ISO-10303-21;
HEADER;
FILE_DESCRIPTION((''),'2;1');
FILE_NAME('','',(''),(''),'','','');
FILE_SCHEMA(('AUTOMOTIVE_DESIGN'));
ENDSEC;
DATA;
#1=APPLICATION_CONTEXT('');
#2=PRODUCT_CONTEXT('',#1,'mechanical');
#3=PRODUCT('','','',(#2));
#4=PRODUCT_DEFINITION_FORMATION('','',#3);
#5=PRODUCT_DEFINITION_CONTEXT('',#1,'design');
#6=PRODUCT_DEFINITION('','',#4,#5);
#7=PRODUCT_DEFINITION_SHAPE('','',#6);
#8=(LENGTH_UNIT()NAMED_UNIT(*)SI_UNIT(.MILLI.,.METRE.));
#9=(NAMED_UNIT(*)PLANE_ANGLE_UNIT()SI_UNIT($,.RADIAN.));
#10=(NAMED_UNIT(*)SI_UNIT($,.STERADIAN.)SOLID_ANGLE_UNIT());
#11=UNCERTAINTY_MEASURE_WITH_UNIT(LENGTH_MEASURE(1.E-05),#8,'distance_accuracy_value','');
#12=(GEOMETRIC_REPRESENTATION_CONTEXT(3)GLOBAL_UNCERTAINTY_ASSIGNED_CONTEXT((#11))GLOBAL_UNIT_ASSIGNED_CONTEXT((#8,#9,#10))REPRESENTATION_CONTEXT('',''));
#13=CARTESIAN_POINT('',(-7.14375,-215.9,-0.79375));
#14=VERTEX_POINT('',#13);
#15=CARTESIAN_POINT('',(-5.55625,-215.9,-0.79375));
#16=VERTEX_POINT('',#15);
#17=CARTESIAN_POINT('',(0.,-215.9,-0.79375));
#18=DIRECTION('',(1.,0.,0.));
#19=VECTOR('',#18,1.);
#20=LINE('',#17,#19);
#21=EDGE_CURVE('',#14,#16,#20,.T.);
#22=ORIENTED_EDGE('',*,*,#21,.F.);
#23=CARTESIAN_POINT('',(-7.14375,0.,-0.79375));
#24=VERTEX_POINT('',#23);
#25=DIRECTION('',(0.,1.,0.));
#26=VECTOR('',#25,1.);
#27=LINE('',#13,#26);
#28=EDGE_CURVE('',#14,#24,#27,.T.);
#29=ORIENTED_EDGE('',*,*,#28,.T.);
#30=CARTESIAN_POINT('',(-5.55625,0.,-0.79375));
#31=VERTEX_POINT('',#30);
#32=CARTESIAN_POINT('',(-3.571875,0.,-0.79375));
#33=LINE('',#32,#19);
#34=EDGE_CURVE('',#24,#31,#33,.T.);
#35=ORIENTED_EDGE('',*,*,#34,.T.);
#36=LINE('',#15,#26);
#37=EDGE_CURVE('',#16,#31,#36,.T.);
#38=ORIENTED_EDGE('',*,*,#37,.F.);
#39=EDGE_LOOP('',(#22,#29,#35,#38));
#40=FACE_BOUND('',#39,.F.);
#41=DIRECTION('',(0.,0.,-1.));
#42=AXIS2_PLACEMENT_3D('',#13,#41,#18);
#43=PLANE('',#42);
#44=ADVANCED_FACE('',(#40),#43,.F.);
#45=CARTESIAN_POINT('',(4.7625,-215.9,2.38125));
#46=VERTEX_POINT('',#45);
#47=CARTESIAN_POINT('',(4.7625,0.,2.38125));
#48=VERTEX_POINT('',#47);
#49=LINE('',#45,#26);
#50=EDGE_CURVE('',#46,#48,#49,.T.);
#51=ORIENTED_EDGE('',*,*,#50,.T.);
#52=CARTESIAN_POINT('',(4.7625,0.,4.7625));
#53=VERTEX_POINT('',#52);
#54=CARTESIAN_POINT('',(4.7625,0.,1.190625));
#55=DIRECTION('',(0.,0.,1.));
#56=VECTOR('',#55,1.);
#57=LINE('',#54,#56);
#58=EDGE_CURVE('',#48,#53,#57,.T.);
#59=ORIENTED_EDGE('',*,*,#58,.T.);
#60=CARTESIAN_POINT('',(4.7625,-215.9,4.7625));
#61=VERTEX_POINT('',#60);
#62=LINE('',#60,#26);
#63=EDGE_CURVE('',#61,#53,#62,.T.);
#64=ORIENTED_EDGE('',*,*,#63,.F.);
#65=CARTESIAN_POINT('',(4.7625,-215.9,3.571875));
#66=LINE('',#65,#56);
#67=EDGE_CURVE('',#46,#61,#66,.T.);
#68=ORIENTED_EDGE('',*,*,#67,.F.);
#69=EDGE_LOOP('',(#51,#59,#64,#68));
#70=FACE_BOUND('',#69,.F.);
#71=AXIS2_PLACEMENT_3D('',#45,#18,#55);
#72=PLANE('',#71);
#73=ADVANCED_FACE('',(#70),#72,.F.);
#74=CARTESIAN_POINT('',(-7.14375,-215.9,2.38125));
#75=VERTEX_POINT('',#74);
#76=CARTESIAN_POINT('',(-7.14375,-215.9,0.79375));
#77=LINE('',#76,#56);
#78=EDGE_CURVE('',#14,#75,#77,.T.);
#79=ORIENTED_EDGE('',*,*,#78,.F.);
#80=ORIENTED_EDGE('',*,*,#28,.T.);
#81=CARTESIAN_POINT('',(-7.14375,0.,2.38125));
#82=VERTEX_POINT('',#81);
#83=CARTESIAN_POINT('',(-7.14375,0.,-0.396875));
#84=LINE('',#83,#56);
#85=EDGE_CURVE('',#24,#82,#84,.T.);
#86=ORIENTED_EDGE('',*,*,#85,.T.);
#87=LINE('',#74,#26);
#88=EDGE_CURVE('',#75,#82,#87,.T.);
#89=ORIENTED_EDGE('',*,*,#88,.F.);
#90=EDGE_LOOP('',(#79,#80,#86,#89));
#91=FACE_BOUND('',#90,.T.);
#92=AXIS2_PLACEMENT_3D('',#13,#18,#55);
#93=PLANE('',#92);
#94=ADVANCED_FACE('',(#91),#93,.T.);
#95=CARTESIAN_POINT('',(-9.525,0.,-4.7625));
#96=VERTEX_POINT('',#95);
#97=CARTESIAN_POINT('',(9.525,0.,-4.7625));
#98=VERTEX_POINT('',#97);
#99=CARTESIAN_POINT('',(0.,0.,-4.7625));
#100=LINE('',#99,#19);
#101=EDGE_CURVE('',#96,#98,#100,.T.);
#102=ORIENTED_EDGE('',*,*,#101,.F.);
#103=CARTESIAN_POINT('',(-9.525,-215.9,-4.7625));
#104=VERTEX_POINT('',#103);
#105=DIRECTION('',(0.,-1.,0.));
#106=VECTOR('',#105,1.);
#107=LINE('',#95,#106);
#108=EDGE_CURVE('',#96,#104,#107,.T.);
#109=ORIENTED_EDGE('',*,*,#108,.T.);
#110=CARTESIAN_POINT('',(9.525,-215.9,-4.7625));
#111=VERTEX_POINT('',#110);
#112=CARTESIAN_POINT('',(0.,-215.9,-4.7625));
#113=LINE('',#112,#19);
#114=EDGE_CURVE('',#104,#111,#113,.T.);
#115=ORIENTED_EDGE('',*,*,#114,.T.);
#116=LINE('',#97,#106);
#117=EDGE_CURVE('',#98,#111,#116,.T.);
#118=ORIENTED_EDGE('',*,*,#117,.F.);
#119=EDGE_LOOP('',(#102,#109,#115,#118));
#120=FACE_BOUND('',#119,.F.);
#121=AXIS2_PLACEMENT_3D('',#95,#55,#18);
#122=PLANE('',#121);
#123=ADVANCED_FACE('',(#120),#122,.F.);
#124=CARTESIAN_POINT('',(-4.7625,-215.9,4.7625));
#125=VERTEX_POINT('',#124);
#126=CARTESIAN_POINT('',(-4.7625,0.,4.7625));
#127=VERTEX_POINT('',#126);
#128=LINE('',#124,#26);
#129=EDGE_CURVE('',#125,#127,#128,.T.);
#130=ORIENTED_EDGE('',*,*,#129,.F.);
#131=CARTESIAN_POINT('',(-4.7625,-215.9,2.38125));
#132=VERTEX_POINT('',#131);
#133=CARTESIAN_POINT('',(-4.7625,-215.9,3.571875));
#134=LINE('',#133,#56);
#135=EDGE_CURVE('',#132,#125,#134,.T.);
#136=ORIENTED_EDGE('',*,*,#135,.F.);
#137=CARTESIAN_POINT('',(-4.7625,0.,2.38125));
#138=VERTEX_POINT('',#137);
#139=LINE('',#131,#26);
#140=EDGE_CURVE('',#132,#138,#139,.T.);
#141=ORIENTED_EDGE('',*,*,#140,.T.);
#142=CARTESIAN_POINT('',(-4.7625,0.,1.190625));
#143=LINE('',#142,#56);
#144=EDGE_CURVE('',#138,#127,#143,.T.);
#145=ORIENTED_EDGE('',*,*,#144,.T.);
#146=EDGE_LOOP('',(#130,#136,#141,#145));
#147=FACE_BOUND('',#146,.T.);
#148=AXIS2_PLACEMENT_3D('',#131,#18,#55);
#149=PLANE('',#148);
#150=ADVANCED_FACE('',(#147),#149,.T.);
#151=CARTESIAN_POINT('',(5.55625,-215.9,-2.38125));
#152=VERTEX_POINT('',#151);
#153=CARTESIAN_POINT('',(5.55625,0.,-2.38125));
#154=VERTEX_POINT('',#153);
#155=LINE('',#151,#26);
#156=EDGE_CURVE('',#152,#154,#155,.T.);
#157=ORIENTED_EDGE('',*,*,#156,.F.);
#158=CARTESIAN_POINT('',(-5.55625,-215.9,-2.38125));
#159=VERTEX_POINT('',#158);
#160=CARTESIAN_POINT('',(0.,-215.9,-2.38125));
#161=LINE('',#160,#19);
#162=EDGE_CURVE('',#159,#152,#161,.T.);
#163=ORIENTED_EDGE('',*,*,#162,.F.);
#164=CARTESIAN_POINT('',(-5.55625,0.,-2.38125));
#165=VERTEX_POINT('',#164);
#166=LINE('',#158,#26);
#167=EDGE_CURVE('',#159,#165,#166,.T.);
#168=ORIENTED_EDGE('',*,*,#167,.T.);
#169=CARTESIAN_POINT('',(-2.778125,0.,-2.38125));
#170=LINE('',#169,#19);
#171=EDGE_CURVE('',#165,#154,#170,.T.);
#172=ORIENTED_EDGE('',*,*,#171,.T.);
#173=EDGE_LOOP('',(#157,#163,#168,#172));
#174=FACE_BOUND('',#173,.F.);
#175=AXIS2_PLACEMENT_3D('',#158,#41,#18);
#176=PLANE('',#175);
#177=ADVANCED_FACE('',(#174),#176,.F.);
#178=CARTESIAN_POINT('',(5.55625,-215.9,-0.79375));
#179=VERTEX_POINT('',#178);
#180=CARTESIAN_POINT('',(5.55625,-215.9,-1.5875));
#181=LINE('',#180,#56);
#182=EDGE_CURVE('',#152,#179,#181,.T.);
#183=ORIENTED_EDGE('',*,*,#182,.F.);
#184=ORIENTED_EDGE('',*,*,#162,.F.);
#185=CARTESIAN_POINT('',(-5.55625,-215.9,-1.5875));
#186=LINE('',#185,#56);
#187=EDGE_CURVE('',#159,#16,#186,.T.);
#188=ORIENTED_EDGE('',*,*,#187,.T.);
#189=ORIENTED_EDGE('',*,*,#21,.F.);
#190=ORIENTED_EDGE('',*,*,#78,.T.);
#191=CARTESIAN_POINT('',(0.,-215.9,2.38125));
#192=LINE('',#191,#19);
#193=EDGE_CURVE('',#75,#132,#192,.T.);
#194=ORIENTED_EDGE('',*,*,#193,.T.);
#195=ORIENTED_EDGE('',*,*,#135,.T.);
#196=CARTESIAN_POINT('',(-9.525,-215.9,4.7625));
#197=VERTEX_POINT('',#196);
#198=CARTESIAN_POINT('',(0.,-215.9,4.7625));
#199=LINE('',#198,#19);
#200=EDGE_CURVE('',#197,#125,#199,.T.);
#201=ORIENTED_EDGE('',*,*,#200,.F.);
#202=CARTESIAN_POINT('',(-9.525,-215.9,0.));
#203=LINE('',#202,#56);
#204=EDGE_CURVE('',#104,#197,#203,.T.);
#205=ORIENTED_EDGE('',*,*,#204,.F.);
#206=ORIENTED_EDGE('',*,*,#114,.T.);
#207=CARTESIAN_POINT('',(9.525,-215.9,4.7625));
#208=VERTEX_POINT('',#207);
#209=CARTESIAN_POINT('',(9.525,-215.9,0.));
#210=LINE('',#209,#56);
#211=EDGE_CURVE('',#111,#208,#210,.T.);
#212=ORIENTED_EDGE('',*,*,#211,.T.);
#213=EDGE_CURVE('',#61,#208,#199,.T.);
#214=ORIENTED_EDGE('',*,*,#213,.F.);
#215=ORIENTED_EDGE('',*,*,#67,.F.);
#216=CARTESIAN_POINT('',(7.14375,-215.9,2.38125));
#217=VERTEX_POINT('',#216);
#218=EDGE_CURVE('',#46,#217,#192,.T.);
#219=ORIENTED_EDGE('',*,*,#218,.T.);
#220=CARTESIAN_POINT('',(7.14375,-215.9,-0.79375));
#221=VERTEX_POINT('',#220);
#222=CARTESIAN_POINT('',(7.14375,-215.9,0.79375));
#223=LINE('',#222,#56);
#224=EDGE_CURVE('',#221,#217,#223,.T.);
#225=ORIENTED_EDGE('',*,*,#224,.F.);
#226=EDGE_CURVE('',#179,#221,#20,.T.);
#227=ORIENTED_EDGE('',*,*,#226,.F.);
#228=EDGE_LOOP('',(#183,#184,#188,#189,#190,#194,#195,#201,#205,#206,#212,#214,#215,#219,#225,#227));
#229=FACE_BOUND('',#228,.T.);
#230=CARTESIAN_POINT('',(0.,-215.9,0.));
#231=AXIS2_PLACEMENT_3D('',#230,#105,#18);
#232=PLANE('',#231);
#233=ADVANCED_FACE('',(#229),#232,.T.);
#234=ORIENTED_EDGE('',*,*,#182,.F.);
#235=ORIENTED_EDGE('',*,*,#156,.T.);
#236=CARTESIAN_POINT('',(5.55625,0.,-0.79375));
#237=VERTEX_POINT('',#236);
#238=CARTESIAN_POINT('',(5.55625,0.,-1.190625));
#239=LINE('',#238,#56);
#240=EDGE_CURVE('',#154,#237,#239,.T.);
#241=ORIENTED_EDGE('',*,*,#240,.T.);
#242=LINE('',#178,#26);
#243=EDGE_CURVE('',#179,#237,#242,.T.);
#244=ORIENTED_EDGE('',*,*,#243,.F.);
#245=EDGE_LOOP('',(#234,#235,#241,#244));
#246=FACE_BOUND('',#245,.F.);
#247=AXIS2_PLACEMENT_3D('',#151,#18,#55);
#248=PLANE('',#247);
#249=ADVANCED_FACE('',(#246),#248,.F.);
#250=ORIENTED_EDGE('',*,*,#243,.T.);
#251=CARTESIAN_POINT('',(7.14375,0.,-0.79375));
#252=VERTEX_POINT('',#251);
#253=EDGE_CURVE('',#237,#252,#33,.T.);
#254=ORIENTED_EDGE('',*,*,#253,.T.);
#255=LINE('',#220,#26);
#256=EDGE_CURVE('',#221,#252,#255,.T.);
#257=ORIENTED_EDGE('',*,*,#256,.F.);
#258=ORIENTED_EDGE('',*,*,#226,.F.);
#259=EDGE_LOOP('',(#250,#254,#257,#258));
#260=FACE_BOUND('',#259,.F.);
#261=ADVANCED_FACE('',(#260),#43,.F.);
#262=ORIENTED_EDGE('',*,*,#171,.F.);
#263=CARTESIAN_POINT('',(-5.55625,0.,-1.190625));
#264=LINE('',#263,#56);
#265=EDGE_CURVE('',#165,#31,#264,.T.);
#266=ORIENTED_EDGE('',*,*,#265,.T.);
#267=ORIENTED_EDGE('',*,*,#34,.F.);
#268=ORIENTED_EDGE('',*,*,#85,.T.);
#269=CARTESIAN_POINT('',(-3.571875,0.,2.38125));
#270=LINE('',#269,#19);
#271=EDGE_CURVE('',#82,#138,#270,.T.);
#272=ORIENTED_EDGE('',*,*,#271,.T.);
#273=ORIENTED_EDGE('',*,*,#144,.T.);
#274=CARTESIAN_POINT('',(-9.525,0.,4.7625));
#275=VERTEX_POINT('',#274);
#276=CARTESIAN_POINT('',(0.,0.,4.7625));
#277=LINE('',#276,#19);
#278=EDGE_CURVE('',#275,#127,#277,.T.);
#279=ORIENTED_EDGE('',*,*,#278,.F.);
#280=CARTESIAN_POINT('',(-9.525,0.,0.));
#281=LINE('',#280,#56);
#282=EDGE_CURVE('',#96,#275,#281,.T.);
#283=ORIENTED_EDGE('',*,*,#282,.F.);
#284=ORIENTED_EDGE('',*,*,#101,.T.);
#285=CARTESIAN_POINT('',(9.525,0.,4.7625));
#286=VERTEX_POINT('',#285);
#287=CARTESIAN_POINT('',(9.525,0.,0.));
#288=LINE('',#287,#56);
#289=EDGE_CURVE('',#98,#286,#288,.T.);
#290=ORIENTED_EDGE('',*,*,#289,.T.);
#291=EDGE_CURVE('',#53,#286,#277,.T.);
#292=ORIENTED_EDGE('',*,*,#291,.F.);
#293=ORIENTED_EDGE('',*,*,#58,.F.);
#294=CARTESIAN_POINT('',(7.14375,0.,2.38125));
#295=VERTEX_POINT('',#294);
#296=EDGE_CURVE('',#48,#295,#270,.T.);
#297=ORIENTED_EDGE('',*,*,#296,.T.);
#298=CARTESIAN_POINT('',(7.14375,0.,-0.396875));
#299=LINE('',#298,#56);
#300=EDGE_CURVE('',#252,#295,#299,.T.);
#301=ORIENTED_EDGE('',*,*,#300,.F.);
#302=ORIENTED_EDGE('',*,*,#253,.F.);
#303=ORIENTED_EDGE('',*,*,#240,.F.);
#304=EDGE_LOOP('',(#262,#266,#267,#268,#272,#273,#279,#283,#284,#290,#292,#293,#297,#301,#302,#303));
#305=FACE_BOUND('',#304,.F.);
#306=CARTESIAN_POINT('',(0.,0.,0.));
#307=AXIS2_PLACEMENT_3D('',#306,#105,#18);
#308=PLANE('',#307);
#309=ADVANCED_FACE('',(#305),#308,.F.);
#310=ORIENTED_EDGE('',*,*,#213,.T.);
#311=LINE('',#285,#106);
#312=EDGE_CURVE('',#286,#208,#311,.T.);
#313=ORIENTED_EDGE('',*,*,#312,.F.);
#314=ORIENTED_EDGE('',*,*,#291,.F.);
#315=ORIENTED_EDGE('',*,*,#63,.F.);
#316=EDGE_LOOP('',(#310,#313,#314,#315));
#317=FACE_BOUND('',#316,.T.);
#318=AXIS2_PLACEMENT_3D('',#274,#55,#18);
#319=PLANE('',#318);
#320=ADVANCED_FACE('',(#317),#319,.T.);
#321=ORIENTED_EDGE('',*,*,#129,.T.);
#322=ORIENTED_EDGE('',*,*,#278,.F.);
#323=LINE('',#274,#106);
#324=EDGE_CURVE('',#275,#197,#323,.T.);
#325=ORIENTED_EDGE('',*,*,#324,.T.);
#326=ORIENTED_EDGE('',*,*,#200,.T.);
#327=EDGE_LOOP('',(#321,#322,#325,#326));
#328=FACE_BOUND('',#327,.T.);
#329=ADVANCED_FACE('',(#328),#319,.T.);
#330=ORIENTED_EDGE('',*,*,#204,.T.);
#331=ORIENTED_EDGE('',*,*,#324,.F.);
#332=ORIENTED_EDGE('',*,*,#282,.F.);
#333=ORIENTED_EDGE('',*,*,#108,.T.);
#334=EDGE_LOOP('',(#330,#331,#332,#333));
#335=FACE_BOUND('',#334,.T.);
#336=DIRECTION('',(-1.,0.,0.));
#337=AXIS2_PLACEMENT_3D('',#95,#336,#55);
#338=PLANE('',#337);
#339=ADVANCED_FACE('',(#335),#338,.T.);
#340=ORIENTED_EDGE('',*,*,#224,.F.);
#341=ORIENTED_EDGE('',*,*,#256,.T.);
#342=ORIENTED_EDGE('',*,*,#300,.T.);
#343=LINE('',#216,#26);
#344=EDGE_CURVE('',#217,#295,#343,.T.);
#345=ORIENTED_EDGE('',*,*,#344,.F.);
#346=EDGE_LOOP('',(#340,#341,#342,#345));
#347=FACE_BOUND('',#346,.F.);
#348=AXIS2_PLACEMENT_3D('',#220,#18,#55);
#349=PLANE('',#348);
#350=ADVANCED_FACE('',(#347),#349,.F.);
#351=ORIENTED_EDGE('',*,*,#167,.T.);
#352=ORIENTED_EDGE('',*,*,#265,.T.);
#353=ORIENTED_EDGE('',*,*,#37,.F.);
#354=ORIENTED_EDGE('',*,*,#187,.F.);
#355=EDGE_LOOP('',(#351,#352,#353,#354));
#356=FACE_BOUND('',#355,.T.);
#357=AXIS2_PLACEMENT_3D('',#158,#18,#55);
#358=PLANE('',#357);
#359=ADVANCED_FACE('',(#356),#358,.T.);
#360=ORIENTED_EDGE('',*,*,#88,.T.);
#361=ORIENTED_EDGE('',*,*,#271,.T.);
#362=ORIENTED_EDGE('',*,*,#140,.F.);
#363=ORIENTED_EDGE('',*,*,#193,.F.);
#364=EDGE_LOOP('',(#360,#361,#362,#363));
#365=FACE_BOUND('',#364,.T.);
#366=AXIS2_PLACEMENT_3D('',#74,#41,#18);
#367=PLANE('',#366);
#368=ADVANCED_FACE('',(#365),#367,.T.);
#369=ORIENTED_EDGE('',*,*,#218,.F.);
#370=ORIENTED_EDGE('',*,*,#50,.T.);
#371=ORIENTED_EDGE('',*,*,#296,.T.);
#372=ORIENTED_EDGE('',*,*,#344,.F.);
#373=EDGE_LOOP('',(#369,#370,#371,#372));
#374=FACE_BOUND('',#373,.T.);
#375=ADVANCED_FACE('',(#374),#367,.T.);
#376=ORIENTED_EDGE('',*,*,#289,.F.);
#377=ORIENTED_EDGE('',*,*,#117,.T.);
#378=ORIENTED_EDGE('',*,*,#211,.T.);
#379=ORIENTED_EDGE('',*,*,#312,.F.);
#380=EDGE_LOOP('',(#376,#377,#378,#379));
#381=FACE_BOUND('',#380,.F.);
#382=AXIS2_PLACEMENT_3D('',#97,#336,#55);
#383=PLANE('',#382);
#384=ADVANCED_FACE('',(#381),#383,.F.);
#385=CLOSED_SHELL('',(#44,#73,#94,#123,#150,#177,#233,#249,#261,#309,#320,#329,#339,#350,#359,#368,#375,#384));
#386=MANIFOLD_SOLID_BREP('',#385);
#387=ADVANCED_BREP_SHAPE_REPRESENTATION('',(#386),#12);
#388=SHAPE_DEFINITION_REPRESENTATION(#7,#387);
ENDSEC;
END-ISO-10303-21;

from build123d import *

# Parameters (mm, degrees)
SKETCH_W        = 19.05
SKETCH_H        = 9.525
PAD_DEPTH       = 215.9
SKETCH001_W     = 9.525
SKETCH001_H     = 2.38125
POCKET_DEPTH    = 215.901
SKETCH002_W     = 14.2875
SKETCH002_H     = 3.175
POCKET001_DEPTH = 215.901
SKETCH003_W     = 11.1125
SKETCH003_H     = 1.5875
POCKET002_DEPTH = 215.901


with BuildPart() as part:
    # Sketch → Pad (new body)
    with BuildSketch(Plane.XZ):
        Rectangle(SKETCH_W, SKETCH_H)
    extrude(amount=PAD_DEPTH)

    # Sketch001 (on Face6 of Pad) → Pocket (cut, through all)
    with BuildSketch(Plane.XZ.offset(215.9)):
        with Locations((0, 3.571875)):
            Rectangle(SKETCH001_W, SKETCH001_H)
    extrude(amount=-POCKET_DEPTH, mode=Mode.SUBTRACT)

    # Sketch002 (on Face5 of Pocket) → Pocket001 (cut, through all)
    with BuildSketch(Plane.XZ.offset(215.9)):
        with Locations((0, 0.79375)):
            Rectangle(SKETCH002_W, SKETCH002_H)
    extrude(amount=-POCKET001_DEPTH, mode=Mode.SUBTRACT)

    # Sketch003 (on Face5 of Pocket001) → Pocket002 (cut, through all)
    with BuildSketch(Plane.XZ.offset(215.9)):
        with Locations((0, -1.5875)):
            Rectangle(SKETCH003_W, SKETCH003_H)
    extrude(amount=-POCKET002_DEPTH, mode=Mode.SUBTRACT)


solid = part.part
